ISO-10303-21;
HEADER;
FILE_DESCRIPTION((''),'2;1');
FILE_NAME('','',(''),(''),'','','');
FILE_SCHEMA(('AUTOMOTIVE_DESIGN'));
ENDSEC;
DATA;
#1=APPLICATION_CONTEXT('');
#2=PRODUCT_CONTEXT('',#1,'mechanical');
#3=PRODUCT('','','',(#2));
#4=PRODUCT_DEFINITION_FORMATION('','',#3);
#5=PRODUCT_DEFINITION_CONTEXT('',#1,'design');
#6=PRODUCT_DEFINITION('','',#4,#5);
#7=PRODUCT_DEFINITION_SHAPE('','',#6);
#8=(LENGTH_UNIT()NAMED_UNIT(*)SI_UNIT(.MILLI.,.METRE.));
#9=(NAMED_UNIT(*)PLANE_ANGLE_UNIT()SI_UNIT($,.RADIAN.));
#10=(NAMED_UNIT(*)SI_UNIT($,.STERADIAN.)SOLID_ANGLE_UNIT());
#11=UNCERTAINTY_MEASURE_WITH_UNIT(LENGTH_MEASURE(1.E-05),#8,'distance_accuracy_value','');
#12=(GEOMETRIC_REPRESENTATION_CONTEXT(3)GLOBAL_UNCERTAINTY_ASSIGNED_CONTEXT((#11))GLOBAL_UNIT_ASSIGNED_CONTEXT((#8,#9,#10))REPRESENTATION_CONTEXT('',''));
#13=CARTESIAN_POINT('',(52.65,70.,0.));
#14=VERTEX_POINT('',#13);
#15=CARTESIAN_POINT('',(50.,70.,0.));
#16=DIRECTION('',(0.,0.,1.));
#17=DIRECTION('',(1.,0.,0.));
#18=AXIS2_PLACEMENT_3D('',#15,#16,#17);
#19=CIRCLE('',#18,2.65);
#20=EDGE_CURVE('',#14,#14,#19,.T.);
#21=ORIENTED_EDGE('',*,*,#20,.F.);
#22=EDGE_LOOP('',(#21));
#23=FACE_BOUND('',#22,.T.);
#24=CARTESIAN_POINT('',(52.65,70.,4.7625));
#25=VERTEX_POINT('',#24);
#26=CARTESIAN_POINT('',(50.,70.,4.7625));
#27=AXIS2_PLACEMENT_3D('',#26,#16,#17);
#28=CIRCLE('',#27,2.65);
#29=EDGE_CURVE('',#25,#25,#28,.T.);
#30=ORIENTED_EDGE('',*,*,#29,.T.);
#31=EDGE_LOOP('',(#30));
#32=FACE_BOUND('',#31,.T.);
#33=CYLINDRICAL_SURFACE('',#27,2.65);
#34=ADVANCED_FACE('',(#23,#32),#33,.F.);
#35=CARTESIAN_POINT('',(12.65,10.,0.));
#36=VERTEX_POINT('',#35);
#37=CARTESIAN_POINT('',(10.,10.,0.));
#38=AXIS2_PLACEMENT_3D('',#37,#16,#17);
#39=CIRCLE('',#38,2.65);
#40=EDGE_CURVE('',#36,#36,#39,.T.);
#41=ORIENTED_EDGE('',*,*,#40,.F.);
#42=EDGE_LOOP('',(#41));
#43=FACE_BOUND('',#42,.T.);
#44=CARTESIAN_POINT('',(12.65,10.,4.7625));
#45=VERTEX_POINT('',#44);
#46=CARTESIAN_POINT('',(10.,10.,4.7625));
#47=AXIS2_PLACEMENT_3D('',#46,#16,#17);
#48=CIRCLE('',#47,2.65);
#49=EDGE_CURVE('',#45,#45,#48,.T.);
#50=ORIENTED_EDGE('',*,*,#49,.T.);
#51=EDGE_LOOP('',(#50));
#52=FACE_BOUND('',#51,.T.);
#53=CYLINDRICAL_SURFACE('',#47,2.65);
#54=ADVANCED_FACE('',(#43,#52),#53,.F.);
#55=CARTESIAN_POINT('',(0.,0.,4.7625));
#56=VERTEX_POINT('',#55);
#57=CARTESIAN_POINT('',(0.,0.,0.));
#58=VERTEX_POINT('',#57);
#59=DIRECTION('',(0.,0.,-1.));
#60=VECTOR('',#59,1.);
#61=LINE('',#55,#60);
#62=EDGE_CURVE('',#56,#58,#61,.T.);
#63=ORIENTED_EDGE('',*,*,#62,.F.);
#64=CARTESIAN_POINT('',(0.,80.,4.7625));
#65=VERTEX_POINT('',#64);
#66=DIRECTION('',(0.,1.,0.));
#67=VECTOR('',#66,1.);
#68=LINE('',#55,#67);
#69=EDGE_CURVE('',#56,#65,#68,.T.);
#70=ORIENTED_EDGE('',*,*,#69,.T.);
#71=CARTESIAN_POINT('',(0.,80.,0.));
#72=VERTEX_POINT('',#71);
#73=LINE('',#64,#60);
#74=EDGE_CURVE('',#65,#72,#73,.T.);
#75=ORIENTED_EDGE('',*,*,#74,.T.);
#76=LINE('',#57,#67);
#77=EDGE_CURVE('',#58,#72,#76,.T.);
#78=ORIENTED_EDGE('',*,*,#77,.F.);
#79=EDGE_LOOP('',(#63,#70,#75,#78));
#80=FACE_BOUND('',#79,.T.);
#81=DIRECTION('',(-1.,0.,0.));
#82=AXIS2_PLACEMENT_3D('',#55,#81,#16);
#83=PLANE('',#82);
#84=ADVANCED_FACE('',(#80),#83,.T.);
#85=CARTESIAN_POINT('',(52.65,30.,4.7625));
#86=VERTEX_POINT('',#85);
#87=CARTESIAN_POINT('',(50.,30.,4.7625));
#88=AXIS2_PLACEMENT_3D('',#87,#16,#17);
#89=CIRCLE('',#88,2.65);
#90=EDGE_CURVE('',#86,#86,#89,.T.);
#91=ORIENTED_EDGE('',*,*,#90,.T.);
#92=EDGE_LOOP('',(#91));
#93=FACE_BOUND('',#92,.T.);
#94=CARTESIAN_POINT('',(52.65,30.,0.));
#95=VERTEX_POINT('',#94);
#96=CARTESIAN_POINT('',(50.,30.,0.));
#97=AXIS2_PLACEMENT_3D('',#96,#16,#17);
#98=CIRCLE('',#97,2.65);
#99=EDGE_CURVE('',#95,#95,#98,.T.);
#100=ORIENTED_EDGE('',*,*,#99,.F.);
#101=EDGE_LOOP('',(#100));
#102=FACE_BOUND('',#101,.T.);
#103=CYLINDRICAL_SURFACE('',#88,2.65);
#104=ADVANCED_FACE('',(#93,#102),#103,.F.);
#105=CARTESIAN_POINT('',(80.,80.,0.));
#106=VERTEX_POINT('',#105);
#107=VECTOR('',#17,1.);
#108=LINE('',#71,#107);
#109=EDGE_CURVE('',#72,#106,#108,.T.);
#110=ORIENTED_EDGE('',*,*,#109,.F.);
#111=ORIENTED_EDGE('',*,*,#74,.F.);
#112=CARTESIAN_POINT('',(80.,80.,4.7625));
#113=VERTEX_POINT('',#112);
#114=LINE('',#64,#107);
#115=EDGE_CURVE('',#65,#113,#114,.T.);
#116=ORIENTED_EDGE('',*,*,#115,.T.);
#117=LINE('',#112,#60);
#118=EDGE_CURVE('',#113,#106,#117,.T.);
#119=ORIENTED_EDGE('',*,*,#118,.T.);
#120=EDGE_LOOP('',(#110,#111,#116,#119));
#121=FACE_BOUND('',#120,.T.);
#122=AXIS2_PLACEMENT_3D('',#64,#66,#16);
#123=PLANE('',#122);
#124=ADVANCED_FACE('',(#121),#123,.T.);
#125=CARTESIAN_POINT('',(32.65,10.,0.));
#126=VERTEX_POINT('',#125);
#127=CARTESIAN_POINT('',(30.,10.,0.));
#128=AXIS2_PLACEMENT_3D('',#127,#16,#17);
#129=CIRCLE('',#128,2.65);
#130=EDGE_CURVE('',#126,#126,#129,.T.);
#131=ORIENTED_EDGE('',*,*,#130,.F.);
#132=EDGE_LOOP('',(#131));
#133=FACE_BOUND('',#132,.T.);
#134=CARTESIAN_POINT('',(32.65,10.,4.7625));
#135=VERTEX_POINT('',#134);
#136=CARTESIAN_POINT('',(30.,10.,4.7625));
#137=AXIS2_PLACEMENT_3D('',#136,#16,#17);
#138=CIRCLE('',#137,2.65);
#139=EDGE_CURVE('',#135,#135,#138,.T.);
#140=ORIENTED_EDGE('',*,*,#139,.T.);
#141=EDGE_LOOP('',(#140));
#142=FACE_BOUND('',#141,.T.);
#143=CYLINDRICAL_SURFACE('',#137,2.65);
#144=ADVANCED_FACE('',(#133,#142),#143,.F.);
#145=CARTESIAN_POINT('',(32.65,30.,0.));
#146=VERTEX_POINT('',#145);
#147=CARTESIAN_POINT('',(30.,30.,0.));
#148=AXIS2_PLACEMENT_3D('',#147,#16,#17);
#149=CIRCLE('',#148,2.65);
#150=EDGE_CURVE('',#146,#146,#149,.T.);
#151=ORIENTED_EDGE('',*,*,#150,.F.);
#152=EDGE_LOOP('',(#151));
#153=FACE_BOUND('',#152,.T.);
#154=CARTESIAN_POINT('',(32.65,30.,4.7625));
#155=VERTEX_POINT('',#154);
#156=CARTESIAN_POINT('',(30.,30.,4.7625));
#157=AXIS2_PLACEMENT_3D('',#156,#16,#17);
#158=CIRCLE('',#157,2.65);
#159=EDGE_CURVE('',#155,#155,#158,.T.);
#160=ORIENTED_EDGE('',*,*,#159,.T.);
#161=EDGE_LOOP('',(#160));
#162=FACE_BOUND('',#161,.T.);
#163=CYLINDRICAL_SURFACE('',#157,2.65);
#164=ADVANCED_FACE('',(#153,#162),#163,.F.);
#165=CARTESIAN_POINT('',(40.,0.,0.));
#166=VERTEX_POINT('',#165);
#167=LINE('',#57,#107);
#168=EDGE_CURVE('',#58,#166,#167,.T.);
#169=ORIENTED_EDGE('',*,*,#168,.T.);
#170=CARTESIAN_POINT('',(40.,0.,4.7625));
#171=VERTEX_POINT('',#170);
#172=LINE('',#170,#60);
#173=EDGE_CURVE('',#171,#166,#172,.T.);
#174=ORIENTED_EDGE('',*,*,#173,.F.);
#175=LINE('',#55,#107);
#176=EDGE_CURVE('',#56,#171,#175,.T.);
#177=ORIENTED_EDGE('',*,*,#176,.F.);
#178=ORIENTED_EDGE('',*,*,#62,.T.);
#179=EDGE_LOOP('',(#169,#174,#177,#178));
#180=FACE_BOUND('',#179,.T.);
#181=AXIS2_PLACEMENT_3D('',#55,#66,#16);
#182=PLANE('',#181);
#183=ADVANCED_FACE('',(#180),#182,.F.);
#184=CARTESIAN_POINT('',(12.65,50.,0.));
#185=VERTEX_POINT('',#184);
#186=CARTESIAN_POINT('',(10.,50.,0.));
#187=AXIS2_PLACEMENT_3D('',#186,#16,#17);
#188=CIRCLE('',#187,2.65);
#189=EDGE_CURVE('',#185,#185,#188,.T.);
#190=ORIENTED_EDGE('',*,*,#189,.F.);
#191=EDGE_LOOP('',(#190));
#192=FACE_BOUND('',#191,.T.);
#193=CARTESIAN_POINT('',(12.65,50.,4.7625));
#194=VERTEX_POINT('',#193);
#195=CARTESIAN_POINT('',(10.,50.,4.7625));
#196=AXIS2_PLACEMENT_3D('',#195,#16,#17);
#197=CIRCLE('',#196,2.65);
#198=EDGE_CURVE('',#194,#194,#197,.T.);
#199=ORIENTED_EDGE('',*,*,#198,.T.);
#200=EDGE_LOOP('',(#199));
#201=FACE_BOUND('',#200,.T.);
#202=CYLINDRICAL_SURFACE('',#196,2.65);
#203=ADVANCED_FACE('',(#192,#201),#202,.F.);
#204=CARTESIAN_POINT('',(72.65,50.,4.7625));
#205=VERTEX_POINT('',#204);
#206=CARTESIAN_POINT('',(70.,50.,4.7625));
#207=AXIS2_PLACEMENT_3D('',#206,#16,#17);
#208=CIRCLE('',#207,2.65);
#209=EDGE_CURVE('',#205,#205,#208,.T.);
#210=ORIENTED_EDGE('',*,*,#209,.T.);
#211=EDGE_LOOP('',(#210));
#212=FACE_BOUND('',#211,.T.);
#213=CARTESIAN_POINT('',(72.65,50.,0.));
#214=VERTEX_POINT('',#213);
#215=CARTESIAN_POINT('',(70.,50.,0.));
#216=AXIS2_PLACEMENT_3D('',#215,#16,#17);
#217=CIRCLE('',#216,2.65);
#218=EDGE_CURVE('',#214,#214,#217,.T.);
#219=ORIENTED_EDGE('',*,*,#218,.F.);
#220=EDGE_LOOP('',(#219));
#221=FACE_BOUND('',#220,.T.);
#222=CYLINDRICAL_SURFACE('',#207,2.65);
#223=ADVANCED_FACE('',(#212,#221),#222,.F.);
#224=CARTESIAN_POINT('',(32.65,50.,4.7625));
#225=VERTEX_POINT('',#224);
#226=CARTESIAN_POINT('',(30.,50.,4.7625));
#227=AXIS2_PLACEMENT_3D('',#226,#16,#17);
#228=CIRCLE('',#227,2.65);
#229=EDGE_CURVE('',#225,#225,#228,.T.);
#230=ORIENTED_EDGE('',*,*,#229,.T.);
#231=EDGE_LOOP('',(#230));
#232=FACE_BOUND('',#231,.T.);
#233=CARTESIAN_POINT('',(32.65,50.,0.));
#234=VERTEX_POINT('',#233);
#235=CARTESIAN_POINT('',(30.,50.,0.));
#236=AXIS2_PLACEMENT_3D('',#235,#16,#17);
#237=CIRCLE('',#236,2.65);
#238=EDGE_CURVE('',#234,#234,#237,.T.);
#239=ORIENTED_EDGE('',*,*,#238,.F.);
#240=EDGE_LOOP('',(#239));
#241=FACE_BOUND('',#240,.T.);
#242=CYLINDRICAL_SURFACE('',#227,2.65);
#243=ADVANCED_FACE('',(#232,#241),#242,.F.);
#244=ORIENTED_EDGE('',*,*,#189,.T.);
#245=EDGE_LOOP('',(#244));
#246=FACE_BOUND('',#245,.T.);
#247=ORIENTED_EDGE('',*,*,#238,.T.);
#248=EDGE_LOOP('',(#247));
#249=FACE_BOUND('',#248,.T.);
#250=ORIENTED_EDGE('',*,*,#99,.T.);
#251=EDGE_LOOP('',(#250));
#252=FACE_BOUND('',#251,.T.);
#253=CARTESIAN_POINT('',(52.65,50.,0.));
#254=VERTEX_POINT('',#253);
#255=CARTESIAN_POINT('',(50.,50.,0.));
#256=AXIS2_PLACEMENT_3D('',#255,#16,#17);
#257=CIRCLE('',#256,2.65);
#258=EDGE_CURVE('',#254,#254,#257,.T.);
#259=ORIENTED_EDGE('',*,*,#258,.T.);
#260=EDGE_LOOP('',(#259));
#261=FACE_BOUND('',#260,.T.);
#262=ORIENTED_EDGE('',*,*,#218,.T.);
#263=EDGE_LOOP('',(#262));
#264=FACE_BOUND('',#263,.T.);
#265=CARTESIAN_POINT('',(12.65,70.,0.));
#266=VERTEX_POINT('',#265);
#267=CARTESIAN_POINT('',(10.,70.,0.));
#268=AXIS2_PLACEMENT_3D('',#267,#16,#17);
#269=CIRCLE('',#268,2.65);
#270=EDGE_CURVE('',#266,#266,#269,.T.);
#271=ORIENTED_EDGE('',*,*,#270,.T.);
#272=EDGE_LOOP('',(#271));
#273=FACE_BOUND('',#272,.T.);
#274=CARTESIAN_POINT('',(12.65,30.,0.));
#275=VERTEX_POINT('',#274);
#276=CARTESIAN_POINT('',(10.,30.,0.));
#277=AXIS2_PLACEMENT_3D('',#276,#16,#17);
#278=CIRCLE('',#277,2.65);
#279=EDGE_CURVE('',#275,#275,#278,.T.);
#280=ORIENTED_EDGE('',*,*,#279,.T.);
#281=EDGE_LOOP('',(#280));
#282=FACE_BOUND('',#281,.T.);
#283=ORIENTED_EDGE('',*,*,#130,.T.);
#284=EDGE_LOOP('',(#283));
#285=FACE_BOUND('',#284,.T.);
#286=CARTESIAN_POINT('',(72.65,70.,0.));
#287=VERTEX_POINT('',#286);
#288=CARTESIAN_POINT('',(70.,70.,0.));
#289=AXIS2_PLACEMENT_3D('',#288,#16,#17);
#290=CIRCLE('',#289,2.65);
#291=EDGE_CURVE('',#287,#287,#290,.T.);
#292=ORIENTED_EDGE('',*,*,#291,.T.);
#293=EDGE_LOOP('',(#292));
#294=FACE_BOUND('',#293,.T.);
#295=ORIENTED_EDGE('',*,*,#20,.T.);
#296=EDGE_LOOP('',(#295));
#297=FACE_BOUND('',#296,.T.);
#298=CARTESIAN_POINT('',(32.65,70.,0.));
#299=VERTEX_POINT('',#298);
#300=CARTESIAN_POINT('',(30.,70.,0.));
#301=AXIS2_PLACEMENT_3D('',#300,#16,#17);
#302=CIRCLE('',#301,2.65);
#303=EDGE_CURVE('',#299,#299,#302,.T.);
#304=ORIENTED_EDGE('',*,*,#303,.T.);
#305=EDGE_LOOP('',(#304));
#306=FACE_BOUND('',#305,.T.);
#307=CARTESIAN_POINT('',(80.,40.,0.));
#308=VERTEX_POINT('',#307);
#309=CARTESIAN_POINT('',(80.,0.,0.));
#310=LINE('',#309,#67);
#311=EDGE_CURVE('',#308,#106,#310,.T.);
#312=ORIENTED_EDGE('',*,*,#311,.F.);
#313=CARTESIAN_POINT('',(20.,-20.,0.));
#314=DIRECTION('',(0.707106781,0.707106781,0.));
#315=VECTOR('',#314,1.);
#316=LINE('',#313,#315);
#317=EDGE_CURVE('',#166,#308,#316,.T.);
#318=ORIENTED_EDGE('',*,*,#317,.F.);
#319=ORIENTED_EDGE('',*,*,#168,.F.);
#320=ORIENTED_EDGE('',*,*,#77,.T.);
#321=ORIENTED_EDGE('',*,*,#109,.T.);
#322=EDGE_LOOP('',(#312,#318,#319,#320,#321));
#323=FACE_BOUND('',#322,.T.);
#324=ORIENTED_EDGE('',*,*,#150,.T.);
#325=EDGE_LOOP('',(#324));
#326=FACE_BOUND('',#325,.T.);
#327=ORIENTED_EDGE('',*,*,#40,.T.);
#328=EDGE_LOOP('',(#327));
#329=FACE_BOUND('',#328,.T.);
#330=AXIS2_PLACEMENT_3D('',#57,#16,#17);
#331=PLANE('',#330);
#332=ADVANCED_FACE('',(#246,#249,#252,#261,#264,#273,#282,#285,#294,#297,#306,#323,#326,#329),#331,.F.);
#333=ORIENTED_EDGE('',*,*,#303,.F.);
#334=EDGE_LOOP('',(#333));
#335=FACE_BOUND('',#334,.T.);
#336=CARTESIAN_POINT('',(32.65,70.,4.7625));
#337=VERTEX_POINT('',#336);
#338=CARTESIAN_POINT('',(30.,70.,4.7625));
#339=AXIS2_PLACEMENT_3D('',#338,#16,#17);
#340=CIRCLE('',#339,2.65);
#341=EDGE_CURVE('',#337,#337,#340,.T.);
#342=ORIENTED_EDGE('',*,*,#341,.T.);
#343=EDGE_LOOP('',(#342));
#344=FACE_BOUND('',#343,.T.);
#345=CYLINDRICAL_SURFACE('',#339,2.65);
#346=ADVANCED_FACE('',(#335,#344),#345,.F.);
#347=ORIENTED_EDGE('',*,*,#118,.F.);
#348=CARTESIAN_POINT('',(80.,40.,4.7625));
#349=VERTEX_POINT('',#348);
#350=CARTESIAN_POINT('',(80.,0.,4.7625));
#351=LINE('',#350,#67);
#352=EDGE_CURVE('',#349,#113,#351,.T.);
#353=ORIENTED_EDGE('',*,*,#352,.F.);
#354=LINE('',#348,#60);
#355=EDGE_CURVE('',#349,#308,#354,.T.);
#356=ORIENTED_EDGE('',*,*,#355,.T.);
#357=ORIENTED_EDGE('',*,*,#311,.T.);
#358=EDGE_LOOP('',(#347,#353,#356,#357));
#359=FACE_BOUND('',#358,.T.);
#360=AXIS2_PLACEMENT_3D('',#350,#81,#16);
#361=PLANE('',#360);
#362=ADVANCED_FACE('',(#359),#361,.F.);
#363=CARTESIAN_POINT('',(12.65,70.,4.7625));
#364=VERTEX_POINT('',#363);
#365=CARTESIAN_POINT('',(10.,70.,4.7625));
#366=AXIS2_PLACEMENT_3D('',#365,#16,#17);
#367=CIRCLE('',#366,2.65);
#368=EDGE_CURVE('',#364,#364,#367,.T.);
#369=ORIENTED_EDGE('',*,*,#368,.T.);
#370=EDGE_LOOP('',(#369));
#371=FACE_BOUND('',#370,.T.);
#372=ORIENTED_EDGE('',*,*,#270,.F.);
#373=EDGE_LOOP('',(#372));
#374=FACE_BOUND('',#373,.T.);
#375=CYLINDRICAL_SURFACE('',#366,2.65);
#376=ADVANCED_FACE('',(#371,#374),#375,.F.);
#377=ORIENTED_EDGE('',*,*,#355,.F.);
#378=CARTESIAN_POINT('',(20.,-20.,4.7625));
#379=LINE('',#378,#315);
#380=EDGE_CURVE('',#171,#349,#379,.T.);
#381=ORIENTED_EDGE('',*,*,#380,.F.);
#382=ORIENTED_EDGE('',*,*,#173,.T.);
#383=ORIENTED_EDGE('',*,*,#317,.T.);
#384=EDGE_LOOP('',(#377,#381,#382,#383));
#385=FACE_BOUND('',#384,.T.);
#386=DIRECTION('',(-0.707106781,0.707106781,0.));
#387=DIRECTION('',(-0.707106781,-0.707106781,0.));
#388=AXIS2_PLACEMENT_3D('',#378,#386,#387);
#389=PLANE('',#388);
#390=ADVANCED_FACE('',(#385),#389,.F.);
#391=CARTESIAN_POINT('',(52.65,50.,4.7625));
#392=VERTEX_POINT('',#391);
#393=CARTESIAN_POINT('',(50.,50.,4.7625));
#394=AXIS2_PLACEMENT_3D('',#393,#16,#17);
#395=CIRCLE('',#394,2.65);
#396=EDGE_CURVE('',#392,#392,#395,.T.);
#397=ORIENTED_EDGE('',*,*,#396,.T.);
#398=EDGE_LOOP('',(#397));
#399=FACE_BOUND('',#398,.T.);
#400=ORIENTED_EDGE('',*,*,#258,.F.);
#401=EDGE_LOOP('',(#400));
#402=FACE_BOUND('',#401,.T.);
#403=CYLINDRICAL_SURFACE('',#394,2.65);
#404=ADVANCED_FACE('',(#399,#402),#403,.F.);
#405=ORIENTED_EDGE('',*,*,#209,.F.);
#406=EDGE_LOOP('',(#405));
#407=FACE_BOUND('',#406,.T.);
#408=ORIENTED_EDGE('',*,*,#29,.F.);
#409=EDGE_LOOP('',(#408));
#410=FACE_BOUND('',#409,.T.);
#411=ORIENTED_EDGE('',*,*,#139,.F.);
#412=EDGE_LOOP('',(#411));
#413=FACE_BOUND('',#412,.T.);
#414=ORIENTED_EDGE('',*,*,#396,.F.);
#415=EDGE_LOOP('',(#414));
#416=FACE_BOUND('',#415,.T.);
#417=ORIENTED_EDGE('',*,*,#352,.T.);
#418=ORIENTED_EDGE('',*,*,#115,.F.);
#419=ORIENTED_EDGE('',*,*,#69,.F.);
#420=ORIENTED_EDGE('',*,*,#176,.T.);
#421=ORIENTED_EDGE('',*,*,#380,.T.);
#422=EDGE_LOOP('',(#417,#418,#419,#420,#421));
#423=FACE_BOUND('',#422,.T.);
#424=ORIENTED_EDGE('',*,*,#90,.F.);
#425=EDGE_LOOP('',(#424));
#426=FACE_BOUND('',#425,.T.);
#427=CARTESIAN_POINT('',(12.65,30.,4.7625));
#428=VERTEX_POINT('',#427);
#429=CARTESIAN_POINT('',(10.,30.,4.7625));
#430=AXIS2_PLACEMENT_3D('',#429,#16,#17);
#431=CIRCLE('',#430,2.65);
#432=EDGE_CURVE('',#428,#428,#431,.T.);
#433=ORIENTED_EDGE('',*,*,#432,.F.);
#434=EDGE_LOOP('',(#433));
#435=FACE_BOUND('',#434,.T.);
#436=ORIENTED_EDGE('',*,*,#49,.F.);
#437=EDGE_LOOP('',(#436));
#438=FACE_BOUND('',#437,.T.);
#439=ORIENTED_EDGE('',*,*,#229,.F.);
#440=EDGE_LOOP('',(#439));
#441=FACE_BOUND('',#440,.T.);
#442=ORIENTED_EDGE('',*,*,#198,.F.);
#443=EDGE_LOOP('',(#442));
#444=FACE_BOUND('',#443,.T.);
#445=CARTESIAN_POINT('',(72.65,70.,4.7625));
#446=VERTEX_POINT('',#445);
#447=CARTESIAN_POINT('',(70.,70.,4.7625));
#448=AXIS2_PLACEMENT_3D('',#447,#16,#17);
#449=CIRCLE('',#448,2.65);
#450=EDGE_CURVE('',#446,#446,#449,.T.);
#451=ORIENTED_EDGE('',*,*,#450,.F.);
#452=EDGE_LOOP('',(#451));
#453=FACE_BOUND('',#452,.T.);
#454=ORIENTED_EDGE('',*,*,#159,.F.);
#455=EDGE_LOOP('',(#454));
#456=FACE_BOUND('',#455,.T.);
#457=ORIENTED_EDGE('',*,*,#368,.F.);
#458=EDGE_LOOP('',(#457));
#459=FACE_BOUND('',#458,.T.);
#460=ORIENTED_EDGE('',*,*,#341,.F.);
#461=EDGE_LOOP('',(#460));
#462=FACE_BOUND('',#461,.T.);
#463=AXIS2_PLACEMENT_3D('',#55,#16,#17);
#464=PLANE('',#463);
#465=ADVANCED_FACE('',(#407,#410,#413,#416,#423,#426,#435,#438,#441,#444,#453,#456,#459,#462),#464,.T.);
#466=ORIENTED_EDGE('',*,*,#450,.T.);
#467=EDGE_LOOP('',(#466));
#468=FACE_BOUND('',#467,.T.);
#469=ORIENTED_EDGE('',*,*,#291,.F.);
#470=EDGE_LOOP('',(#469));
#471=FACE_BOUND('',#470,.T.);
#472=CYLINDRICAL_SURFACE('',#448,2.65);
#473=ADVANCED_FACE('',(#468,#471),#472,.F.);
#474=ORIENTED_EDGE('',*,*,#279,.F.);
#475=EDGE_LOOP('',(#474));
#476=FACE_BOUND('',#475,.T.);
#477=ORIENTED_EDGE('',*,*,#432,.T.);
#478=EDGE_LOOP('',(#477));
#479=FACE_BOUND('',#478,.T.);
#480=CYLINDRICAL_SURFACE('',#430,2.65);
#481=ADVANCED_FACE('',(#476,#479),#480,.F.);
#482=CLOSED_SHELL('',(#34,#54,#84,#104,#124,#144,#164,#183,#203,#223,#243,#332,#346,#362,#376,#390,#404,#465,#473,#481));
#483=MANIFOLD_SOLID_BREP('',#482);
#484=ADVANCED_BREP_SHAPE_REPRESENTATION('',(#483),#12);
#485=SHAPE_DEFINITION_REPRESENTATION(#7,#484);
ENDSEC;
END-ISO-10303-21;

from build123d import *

# Parameters (mm, degrees)
SKETCH1_W            = 40
SKETCH1_H            = 40
BOSS_EXTRUDE1_DEPTH  = 4.7625
M5_CLEARANCE_HOLE1_D = 5.3


with BuildPart() as part:
    # Sketch1 → Boss-Extrude1 (new body)
    with BuildSketch(Plane.XY):
        with Locations((20, 20)):
            Rectangle(SKETCH1_W, SKETCH1_H)
        with Locations((20, 60)):
            Rectangle(SKETCH1_W, SKETCH1_H)
        with Locations((60, 60)):
            Rectangle(SKETCH1_W, SKETCH1_H)
        Polygon((40, 40), (40, 0), (80, 40), align=None)
    extrude(amount=BOSS_EXTRUDE1_DEPTH)

    # M5 Clearance Hole1 (through all)
    with Locations(Plane.XY.offset(4.7625)):
        with Locations((10, 70), (30, 70), (50, 70), (70, 70), (30, 50), (50, 50), (70, 50), (30, 30), (50, 30), (30, 10), (10, 50), (10, 30), (10, 10)):
            Hole(M5_CLEARANCE_HOLE1_D / 2)


solid = part.part
